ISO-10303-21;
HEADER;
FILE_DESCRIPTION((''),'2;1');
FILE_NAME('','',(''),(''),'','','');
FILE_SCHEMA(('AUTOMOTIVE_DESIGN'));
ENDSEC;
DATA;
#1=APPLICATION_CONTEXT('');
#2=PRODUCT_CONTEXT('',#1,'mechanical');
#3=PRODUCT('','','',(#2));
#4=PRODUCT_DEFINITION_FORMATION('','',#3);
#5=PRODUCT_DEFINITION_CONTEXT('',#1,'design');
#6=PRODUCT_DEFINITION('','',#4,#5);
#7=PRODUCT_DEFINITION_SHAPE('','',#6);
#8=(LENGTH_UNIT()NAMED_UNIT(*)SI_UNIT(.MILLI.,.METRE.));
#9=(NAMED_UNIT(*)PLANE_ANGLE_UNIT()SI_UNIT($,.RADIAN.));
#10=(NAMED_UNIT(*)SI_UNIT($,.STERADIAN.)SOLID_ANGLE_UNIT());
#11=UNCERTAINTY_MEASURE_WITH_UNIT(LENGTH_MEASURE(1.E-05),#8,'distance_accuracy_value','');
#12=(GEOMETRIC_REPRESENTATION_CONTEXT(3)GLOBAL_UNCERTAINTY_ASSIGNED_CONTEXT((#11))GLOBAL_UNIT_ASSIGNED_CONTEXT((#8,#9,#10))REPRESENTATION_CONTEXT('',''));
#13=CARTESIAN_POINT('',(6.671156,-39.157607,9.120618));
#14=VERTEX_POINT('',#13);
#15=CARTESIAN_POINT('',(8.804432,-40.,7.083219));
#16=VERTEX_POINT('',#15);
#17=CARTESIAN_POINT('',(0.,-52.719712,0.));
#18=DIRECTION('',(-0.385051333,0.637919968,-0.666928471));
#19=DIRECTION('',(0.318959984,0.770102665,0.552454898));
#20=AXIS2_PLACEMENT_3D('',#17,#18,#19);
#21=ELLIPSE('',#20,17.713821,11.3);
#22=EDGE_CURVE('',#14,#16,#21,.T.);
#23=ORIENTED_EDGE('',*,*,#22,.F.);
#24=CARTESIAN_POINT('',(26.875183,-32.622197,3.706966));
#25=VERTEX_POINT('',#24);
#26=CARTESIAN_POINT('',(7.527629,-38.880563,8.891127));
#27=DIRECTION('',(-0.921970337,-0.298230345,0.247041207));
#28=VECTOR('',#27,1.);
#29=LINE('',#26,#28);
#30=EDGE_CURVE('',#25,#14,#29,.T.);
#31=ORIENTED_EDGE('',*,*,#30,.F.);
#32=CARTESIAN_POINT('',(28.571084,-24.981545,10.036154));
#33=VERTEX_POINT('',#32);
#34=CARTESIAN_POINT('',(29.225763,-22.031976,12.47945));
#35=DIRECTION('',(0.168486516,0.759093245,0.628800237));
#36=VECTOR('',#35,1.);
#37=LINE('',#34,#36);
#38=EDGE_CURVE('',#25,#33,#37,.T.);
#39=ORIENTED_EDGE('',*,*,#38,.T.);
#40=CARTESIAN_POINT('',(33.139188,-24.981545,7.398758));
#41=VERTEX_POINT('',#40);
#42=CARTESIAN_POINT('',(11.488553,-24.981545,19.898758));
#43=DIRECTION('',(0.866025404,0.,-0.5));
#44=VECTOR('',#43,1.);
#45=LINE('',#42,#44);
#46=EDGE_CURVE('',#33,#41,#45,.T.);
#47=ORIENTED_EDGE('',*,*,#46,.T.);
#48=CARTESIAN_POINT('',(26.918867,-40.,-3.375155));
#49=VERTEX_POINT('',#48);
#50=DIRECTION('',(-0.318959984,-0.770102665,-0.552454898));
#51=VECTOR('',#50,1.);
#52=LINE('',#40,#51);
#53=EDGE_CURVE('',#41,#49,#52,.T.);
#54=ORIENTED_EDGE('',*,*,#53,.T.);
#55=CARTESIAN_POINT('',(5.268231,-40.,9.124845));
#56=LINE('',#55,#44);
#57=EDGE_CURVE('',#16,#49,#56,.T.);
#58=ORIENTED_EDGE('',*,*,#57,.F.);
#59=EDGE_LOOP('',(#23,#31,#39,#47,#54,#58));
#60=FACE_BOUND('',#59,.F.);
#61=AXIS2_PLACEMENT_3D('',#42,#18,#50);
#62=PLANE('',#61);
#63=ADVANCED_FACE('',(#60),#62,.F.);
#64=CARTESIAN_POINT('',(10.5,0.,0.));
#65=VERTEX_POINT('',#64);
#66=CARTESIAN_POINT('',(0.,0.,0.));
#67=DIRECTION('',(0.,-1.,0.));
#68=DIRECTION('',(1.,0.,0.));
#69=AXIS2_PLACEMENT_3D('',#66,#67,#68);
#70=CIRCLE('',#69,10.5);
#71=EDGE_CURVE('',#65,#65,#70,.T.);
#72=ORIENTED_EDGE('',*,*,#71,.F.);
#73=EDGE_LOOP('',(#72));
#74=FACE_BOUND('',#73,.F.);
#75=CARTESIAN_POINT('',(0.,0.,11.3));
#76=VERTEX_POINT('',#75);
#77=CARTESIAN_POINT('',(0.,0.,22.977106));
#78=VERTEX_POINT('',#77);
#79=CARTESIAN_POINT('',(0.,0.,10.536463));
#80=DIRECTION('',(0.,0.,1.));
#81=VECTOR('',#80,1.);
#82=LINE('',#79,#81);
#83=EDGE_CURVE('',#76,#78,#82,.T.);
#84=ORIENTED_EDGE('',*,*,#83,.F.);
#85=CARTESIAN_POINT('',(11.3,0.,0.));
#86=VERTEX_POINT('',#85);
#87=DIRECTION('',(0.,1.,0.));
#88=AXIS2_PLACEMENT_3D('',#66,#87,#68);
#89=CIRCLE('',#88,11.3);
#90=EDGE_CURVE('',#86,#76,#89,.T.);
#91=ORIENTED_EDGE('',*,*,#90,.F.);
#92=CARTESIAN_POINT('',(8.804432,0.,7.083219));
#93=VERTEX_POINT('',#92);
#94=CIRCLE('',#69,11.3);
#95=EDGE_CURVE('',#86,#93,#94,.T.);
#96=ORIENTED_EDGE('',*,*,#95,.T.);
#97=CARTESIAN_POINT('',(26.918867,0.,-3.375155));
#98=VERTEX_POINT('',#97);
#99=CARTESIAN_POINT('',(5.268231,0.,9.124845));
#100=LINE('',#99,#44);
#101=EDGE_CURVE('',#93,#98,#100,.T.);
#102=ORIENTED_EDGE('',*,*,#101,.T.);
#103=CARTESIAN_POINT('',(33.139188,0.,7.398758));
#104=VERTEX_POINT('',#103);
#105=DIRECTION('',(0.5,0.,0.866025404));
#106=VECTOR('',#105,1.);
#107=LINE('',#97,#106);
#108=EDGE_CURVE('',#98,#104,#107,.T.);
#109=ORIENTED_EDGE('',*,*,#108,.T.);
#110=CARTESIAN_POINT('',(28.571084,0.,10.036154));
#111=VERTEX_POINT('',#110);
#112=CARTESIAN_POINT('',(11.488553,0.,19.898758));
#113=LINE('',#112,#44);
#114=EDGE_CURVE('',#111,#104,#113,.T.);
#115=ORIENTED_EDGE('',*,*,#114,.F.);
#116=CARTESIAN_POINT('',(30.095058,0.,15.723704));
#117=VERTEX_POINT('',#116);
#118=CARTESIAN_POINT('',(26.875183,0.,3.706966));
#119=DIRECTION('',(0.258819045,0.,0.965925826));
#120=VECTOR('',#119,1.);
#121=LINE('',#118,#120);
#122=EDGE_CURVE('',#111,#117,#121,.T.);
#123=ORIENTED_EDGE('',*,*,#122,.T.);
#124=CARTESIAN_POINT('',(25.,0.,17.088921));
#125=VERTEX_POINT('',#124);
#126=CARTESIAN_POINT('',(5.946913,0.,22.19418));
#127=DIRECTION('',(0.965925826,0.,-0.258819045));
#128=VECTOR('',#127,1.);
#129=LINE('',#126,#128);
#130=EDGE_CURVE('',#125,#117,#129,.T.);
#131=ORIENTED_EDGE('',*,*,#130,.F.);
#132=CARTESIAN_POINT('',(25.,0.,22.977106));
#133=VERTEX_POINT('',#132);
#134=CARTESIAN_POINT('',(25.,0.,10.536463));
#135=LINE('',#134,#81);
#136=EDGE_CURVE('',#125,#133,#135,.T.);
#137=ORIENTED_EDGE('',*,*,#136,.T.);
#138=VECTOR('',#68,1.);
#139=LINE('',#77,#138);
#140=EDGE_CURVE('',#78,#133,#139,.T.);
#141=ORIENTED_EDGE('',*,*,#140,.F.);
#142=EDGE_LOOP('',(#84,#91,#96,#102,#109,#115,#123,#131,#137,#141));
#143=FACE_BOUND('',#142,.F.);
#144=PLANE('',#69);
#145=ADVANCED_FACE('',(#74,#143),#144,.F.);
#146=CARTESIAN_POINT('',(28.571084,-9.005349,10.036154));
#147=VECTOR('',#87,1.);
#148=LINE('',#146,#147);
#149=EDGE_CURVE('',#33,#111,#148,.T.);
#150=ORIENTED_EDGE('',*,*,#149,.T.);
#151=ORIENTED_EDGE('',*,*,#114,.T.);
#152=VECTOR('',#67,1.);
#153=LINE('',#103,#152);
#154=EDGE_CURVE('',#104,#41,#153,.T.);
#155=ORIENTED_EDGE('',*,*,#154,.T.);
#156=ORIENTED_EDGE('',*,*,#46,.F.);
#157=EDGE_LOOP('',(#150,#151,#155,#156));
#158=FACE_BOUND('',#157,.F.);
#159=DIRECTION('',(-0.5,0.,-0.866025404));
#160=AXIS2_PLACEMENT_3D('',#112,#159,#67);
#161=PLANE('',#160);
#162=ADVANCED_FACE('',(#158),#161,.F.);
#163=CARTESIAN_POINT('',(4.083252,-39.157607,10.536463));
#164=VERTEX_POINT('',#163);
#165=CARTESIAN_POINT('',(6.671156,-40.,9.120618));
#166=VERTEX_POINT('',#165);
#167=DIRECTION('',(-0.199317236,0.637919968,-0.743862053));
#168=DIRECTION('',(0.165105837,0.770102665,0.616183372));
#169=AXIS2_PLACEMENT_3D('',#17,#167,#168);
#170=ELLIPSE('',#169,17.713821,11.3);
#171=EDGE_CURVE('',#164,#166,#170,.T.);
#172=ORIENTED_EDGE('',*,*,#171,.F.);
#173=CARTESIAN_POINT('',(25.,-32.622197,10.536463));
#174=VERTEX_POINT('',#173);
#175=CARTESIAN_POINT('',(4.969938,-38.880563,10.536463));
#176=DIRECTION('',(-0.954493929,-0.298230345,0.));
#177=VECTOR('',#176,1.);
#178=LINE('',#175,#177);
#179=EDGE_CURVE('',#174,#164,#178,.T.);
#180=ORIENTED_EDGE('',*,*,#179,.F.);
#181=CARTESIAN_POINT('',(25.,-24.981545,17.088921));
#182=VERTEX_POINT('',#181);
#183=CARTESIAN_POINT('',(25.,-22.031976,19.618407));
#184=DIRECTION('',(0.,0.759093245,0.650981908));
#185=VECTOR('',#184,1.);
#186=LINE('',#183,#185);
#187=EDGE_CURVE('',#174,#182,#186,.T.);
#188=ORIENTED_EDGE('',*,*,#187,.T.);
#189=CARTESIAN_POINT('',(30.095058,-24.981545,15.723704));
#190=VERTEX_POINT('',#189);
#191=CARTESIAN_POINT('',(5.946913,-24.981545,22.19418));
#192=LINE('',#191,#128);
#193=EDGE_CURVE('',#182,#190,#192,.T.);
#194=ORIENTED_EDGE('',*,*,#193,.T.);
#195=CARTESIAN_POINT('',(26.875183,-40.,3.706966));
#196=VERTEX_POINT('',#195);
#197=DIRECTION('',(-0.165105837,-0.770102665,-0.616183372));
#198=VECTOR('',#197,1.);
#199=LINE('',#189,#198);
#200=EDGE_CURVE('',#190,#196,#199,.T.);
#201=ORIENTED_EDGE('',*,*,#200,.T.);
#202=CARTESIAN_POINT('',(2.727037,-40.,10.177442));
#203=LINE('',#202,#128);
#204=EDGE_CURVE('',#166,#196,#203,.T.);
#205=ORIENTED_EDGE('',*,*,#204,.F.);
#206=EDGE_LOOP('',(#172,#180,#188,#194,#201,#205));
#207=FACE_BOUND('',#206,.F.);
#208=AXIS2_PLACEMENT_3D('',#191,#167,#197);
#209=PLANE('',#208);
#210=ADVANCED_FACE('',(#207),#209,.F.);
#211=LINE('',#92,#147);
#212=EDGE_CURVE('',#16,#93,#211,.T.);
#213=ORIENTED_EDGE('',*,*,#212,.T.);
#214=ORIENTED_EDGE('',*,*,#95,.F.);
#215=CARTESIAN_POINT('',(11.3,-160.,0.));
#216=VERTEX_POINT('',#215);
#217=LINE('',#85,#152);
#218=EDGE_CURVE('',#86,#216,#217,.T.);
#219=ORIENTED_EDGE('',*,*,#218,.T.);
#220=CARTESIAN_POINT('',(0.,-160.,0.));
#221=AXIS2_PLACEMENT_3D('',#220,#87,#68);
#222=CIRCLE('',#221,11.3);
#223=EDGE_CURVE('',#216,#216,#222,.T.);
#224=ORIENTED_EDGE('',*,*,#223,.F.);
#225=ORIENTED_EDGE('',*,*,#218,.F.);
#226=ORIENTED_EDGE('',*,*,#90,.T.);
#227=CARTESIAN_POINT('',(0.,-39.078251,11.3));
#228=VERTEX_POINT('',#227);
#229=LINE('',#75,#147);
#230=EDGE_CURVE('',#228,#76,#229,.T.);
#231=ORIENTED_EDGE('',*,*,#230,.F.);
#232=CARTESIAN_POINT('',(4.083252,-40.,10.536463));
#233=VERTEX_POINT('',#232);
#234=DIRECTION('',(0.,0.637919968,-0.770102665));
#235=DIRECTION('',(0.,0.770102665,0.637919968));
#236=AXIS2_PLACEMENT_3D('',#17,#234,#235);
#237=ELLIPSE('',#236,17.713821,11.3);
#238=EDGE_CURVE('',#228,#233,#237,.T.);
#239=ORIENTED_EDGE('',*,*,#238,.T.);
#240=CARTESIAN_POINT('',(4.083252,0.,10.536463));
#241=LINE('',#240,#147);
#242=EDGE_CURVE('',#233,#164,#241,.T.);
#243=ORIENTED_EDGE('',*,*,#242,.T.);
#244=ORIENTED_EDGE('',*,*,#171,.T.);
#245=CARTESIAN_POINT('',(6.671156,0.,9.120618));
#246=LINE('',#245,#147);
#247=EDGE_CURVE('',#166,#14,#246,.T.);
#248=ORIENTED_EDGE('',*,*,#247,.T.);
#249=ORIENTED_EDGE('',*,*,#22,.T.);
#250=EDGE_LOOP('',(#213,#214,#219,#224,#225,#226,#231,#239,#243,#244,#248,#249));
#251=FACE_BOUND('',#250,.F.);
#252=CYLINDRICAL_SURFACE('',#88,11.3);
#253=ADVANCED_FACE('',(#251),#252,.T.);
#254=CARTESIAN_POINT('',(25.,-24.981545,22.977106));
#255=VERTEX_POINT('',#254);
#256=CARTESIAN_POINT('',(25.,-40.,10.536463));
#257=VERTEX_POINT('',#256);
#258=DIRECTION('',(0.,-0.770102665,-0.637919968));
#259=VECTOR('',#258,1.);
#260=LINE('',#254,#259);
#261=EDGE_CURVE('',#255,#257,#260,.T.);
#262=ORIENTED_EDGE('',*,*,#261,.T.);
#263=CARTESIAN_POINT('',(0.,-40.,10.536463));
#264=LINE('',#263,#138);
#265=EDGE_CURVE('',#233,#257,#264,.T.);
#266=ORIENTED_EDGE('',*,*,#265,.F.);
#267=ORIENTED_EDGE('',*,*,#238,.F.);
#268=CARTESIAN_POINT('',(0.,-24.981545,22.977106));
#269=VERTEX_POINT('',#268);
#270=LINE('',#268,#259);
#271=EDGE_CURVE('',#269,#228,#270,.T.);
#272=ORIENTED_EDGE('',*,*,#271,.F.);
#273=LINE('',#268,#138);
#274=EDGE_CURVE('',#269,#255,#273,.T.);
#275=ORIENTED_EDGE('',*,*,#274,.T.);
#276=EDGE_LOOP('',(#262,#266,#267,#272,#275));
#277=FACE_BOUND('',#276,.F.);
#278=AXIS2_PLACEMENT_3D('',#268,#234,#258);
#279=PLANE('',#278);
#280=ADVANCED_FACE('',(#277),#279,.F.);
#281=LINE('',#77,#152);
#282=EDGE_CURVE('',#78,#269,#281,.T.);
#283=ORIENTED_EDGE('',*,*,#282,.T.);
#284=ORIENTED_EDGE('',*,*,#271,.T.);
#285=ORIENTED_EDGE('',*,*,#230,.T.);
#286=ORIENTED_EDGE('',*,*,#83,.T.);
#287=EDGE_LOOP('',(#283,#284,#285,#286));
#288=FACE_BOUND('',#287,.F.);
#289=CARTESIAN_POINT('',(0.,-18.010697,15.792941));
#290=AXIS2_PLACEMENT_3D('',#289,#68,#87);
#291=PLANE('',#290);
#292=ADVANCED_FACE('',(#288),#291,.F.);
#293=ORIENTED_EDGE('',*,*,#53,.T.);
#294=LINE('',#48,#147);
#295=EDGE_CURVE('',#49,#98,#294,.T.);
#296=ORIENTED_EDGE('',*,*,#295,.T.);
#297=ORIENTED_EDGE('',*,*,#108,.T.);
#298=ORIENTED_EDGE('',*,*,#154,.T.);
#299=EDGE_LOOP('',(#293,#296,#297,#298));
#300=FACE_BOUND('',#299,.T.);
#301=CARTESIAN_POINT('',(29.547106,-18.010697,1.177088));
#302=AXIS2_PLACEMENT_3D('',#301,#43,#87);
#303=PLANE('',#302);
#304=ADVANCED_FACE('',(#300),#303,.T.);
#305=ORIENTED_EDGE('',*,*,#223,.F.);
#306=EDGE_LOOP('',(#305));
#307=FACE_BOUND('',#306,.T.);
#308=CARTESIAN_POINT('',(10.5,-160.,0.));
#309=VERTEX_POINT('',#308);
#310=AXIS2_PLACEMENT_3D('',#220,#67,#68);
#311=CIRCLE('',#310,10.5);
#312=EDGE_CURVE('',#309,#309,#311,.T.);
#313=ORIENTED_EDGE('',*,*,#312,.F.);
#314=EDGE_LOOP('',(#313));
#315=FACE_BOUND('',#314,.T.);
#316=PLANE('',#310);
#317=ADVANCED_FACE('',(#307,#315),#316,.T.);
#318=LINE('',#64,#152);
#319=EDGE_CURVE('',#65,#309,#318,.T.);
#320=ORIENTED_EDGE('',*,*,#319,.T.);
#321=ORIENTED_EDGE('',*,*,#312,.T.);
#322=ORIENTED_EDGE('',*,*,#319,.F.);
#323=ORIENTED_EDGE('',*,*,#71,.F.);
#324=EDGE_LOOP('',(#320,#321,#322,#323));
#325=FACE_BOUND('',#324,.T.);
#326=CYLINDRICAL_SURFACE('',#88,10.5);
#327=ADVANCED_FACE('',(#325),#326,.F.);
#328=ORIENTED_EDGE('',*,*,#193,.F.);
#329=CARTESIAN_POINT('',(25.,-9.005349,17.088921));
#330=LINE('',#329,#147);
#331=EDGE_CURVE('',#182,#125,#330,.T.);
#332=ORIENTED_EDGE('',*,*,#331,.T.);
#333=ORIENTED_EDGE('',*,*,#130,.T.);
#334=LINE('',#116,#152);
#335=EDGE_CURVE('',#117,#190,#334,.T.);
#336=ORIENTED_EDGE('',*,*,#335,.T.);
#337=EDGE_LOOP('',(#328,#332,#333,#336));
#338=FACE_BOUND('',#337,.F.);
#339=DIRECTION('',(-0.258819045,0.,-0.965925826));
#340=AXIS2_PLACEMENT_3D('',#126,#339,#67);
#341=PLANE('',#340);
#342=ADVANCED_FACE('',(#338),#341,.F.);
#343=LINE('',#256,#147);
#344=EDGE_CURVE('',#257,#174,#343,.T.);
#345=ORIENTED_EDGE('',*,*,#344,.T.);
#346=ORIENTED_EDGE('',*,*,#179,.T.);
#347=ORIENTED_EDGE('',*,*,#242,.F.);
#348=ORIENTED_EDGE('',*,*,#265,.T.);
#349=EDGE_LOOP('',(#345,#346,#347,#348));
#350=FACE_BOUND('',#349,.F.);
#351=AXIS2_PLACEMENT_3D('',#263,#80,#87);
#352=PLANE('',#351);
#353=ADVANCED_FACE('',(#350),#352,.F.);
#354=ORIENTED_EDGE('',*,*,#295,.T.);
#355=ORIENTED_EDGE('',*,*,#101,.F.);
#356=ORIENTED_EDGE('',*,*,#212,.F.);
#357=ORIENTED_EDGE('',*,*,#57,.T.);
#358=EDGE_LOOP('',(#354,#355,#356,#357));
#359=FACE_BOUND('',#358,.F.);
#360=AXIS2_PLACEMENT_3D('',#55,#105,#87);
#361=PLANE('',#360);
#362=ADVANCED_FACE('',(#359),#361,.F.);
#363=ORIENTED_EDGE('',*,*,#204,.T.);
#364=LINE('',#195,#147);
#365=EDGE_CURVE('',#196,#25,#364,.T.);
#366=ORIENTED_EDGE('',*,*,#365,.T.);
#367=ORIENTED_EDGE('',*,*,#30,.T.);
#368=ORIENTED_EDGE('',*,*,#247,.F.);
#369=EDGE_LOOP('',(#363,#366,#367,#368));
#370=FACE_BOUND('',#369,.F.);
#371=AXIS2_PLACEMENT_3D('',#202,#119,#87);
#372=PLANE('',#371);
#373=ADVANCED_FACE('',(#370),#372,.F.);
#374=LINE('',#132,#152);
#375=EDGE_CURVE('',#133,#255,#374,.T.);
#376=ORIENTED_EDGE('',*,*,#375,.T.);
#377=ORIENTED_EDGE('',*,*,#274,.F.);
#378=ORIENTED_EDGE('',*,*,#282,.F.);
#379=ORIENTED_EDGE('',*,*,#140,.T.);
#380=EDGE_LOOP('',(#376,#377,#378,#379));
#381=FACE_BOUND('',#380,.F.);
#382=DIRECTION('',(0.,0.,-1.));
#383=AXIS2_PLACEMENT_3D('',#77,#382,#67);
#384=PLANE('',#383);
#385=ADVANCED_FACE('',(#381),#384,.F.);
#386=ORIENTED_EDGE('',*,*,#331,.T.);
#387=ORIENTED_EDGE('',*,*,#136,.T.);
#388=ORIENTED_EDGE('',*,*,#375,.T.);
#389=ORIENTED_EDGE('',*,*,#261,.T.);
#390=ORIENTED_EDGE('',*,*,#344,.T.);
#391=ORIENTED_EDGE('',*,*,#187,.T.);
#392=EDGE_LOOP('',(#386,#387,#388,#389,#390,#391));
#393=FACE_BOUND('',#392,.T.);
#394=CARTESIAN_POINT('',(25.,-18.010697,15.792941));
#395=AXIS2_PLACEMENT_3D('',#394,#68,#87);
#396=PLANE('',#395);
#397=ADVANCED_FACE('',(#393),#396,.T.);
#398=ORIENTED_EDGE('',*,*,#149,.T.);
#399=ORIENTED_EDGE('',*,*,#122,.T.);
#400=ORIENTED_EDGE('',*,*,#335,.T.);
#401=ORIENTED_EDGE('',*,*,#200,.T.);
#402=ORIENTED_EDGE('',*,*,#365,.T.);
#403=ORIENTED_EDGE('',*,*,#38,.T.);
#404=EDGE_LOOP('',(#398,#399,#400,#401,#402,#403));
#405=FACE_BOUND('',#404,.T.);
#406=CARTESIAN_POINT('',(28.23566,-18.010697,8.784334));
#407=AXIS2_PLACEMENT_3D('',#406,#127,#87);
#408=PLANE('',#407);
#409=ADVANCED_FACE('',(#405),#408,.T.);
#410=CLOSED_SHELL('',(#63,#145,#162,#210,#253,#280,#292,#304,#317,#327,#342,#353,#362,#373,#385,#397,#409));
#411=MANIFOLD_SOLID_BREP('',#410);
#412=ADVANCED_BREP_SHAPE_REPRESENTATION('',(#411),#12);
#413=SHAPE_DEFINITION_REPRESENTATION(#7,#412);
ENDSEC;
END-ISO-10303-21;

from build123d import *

# Parameters (mm, degrees)
F0_R     = 11.3
F0_R_2   = 10.5
F1_DEPTH = 160
F3_DEPTH = 25
F4_COUNT = 3
F4_ANGLE = 30


with BuildPart() as f1:
    # F0 (on Front) → F1 (new body)
    with BuildSketch(Plane.XZ):
        Circle(F0_R)
        Circle(F0_R_2, mode=Mode.SUBTRACT)
    extrude(amount=F1_DEPTH)

    # F2 (on Right) → F3 (join)
    with BuildSketch(Plane.YZ):
        Polygon((-40, 10.536463), (0, 10.536463), (0, 22.977106), (-24.981545, 22.977106), align=None)
    extrude(amount=F3_DEPTH)

    # F4: F1 ×3 about axis
    f4_axis = Axis((0, 0, 0), (0, 1, 0))


with BuildPart() as f1_1:
    add(f1.part)
    for i in range(1, F4_COUNT):
        add(f1.part.rotate(f4_axis, i * F4_ANGLE / (F4_COUNT - 1)))


solid = f1_1.part
